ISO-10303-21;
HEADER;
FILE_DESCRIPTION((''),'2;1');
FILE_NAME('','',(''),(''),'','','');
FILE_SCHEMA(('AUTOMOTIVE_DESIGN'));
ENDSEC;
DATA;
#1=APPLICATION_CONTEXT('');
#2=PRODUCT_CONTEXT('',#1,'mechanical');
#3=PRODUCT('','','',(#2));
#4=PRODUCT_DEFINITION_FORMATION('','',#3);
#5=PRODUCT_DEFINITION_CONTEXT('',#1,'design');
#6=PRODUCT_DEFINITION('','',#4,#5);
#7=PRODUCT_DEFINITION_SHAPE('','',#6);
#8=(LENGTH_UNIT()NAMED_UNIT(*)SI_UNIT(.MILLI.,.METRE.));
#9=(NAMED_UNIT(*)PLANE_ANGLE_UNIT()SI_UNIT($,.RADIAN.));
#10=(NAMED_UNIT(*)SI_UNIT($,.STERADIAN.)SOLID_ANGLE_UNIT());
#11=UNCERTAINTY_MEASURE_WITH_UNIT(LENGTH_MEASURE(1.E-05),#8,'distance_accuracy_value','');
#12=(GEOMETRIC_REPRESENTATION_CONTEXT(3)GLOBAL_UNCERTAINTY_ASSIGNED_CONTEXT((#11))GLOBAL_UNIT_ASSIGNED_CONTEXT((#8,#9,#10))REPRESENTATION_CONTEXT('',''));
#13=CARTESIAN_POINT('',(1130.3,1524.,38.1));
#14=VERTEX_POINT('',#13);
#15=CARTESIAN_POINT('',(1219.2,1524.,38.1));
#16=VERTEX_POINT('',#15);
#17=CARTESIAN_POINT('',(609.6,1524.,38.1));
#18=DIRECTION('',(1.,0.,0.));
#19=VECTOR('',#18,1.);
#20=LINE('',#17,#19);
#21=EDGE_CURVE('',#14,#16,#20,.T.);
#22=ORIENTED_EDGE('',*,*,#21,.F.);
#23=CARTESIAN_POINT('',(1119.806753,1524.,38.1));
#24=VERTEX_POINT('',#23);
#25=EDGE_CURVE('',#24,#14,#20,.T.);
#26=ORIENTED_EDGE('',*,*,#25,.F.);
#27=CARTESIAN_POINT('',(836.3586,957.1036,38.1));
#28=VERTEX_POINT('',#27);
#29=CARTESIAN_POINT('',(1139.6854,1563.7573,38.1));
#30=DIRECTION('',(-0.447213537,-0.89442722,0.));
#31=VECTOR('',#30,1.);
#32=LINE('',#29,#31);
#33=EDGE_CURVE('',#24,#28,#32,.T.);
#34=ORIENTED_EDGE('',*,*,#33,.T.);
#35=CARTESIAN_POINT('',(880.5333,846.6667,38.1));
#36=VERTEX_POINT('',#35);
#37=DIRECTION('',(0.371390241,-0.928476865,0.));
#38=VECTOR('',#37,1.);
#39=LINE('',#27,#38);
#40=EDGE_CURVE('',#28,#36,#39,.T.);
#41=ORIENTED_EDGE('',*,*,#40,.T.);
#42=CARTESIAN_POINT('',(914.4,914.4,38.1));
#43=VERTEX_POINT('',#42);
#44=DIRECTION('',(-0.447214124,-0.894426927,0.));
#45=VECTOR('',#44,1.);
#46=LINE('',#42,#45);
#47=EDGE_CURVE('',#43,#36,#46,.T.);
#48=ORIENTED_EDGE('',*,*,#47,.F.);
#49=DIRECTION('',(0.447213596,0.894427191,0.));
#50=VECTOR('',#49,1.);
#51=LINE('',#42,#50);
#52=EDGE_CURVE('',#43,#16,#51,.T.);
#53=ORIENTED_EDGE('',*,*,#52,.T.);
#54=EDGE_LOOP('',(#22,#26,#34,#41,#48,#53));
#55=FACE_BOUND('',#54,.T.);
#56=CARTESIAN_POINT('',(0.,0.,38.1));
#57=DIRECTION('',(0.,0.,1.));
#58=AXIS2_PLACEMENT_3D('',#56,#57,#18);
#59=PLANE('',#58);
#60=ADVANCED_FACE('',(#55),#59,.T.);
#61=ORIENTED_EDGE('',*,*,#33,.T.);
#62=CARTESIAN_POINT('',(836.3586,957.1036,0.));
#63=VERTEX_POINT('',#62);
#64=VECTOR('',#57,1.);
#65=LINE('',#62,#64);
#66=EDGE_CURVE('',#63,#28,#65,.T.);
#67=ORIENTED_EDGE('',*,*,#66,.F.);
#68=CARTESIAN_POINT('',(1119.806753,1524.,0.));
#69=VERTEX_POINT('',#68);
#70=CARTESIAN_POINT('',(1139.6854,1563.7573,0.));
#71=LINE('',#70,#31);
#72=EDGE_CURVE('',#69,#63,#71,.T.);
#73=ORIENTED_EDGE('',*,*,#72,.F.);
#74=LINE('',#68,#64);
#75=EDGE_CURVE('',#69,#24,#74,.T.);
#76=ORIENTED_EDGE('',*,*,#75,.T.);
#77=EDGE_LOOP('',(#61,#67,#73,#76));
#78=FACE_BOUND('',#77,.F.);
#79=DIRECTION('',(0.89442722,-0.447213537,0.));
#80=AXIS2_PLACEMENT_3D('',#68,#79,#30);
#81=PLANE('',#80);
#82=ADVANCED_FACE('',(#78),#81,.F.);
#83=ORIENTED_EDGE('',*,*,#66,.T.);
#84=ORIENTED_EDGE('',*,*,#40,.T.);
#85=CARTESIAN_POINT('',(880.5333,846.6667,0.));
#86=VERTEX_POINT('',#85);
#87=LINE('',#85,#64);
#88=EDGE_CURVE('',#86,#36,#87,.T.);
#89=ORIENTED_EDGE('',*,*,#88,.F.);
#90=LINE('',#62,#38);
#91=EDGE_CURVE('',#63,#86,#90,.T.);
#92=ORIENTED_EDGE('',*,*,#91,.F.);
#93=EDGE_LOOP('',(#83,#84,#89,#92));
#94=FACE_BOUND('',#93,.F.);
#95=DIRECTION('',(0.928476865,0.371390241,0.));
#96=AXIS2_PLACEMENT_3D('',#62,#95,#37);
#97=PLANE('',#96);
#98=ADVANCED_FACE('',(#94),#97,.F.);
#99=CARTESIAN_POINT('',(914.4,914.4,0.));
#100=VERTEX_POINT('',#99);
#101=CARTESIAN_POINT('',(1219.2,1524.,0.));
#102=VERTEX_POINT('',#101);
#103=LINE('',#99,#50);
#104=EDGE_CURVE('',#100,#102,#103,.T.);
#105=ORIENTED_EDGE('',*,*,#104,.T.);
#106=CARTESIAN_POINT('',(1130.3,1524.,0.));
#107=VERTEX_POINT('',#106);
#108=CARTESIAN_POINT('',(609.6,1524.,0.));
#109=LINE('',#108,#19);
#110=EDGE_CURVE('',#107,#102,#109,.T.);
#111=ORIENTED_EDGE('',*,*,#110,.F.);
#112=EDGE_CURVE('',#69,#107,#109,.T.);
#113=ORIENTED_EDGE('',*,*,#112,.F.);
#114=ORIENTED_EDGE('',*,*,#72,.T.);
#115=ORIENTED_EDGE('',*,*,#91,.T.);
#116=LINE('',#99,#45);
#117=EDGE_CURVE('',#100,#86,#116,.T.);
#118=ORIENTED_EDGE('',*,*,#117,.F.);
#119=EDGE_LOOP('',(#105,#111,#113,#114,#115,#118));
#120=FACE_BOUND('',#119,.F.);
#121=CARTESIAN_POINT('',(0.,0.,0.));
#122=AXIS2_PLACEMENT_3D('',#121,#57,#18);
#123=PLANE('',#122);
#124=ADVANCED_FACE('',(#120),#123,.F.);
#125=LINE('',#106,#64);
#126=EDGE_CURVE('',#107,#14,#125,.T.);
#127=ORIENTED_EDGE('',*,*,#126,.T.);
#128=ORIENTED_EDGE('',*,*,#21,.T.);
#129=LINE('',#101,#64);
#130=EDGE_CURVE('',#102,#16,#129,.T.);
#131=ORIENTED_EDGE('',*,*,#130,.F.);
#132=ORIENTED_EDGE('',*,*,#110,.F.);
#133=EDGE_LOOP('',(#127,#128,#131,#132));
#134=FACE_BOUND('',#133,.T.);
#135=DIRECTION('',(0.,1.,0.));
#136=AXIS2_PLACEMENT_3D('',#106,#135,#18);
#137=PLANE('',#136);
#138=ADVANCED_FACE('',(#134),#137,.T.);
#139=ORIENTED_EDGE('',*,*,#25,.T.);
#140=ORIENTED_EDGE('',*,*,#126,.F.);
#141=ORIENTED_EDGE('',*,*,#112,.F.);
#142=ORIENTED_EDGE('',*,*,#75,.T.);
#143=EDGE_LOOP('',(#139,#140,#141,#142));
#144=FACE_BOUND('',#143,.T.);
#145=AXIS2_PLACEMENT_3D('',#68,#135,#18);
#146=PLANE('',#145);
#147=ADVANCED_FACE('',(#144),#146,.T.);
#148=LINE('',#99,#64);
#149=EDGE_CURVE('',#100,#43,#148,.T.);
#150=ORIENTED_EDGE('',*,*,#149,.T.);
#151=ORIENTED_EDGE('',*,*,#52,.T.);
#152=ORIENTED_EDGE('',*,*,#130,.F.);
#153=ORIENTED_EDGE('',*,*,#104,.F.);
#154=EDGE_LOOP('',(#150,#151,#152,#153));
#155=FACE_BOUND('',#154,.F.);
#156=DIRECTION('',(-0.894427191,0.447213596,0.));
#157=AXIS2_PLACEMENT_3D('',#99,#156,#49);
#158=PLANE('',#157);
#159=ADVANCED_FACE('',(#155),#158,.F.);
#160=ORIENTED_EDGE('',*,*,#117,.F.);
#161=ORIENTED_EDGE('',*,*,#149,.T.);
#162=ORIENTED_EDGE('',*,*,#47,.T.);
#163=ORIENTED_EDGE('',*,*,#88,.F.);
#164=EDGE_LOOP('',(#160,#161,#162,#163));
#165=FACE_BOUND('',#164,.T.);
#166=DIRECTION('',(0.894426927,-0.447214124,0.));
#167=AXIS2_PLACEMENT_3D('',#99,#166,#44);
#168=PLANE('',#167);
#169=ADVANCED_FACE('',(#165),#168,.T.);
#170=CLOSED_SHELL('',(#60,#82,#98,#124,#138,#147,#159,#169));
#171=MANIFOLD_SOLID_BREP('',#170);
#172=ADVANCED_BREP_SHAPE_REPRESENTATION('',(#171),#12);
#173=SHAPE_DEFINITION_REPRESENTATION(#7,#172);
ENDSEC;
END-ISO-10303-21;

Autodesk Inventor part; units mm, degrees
ref_plane "YZ Plane" through (0, 0, 0) normal (1, 0, 0) x (0, 1, 0)
ref_plane "XZ Plane" through (0, 0, 0) normal (0, 1, 0) x (-1, 0, 0)
ref_plane "XY Plane" through (0, 0, 0) normal (0, 0, 1) x (1, 0, 0)
sketch "Sketch1" plane through (0, 0, 0) normal (0, 0, 1) x (1, 0, 0)
  line L0 (0, 0) -> (0, 1524)
  line L1 (0, 1524) -> (0, 1828.8)
  line L2 (0, 0) -> (609.6, 0)
  line L3 (609.6, 0) -> (1219.2, 0)
  line L4 (609.6, 0) -> (609.6, 1524)
  line L5 (609.6, 1524) -> (0, 1524)
  line L6 (0, 1828.8) -> (609.6, 1524)
  line L7 (609.6, 1524) -> (836.3586, 957.1036)
  line L8 (609.6, 1524) -> (1219.2, 1524)
  line L9 (1219.2, 1524) -> (1219.2, 2133.6)
  line L10 (1219.2, 2133.6) -> (1130.3, 2111.375)
  line L11 (1219.2, 2133.6) -> (1130.3, 2133.6)
  line L12 (1130.3, 2133.6) -> (1130.3, 1524)
  line L13 (0, 1828.8) -> (21.5614, 1742.5543)
  line L14 (1130.3, 2111.375) -> (1151.8614, 2025.1293)
  line L15 (21.5614, 1742.5543) -> (1151.8614, 2025.1293)
  line L16 (1130.3, 2111.375) -> (0, 1828.8)
  line L17 (1219.2, 1524) -> (1219.2, 914.4)
  line L18 (1219.2, 914.4) -> (914.4, 914.4)
  line L19 (914.4, 914.4) -> (1219.2, 1524)
  line L20 (914.4, 914.4) -> (880.5333, 846.6667)
  line L21 (880.5333, 846.6667) -> (801.0188, 886.424)
  line L22 (1219.2, 1524) -> (1139.6854, 1563.7573)
  line L23 (1139.6854, 1563.7573) -> (836.3586, 957.1036)
  line L24 (836.3586, 957.1036) -> (880.5333, 846.6667)
  line L25 (880.5333, 846.6667) -> (1219.2, 0)
  line L26 (836.3586, 957.1036) -> (801.0188, 886.424)
  point P0 (1119.8068, 1524)
  dimension "d40" = 1524
  dimension "d41" = 304.8
  dimension "d42" = 609.6
  dimension "d43" = 609.6
  dimension "d44" = 1524
  dimension "d45" = 609.6
  dimension "d46" = 609.6
  dimension "d47" = 88.9
  dimension "d48" = 88.9
  dimension "d49" = 90
  dimension "d50" = 88.9
  dimension "d51" = 90
  dimension "d52" = 609.6
  dimension "d53" = 304.8
  dimension "d54" = 88.9
  dimension "d55" = 88.9
  dimension "d56" = 90
  dimension "d57" = 90
extrude "Extrusion2" add sketch "Sketch1" along normal blind 38.1 contours L23 L8 L19 L20 L24
properties part number "S_2x4x29.814"
